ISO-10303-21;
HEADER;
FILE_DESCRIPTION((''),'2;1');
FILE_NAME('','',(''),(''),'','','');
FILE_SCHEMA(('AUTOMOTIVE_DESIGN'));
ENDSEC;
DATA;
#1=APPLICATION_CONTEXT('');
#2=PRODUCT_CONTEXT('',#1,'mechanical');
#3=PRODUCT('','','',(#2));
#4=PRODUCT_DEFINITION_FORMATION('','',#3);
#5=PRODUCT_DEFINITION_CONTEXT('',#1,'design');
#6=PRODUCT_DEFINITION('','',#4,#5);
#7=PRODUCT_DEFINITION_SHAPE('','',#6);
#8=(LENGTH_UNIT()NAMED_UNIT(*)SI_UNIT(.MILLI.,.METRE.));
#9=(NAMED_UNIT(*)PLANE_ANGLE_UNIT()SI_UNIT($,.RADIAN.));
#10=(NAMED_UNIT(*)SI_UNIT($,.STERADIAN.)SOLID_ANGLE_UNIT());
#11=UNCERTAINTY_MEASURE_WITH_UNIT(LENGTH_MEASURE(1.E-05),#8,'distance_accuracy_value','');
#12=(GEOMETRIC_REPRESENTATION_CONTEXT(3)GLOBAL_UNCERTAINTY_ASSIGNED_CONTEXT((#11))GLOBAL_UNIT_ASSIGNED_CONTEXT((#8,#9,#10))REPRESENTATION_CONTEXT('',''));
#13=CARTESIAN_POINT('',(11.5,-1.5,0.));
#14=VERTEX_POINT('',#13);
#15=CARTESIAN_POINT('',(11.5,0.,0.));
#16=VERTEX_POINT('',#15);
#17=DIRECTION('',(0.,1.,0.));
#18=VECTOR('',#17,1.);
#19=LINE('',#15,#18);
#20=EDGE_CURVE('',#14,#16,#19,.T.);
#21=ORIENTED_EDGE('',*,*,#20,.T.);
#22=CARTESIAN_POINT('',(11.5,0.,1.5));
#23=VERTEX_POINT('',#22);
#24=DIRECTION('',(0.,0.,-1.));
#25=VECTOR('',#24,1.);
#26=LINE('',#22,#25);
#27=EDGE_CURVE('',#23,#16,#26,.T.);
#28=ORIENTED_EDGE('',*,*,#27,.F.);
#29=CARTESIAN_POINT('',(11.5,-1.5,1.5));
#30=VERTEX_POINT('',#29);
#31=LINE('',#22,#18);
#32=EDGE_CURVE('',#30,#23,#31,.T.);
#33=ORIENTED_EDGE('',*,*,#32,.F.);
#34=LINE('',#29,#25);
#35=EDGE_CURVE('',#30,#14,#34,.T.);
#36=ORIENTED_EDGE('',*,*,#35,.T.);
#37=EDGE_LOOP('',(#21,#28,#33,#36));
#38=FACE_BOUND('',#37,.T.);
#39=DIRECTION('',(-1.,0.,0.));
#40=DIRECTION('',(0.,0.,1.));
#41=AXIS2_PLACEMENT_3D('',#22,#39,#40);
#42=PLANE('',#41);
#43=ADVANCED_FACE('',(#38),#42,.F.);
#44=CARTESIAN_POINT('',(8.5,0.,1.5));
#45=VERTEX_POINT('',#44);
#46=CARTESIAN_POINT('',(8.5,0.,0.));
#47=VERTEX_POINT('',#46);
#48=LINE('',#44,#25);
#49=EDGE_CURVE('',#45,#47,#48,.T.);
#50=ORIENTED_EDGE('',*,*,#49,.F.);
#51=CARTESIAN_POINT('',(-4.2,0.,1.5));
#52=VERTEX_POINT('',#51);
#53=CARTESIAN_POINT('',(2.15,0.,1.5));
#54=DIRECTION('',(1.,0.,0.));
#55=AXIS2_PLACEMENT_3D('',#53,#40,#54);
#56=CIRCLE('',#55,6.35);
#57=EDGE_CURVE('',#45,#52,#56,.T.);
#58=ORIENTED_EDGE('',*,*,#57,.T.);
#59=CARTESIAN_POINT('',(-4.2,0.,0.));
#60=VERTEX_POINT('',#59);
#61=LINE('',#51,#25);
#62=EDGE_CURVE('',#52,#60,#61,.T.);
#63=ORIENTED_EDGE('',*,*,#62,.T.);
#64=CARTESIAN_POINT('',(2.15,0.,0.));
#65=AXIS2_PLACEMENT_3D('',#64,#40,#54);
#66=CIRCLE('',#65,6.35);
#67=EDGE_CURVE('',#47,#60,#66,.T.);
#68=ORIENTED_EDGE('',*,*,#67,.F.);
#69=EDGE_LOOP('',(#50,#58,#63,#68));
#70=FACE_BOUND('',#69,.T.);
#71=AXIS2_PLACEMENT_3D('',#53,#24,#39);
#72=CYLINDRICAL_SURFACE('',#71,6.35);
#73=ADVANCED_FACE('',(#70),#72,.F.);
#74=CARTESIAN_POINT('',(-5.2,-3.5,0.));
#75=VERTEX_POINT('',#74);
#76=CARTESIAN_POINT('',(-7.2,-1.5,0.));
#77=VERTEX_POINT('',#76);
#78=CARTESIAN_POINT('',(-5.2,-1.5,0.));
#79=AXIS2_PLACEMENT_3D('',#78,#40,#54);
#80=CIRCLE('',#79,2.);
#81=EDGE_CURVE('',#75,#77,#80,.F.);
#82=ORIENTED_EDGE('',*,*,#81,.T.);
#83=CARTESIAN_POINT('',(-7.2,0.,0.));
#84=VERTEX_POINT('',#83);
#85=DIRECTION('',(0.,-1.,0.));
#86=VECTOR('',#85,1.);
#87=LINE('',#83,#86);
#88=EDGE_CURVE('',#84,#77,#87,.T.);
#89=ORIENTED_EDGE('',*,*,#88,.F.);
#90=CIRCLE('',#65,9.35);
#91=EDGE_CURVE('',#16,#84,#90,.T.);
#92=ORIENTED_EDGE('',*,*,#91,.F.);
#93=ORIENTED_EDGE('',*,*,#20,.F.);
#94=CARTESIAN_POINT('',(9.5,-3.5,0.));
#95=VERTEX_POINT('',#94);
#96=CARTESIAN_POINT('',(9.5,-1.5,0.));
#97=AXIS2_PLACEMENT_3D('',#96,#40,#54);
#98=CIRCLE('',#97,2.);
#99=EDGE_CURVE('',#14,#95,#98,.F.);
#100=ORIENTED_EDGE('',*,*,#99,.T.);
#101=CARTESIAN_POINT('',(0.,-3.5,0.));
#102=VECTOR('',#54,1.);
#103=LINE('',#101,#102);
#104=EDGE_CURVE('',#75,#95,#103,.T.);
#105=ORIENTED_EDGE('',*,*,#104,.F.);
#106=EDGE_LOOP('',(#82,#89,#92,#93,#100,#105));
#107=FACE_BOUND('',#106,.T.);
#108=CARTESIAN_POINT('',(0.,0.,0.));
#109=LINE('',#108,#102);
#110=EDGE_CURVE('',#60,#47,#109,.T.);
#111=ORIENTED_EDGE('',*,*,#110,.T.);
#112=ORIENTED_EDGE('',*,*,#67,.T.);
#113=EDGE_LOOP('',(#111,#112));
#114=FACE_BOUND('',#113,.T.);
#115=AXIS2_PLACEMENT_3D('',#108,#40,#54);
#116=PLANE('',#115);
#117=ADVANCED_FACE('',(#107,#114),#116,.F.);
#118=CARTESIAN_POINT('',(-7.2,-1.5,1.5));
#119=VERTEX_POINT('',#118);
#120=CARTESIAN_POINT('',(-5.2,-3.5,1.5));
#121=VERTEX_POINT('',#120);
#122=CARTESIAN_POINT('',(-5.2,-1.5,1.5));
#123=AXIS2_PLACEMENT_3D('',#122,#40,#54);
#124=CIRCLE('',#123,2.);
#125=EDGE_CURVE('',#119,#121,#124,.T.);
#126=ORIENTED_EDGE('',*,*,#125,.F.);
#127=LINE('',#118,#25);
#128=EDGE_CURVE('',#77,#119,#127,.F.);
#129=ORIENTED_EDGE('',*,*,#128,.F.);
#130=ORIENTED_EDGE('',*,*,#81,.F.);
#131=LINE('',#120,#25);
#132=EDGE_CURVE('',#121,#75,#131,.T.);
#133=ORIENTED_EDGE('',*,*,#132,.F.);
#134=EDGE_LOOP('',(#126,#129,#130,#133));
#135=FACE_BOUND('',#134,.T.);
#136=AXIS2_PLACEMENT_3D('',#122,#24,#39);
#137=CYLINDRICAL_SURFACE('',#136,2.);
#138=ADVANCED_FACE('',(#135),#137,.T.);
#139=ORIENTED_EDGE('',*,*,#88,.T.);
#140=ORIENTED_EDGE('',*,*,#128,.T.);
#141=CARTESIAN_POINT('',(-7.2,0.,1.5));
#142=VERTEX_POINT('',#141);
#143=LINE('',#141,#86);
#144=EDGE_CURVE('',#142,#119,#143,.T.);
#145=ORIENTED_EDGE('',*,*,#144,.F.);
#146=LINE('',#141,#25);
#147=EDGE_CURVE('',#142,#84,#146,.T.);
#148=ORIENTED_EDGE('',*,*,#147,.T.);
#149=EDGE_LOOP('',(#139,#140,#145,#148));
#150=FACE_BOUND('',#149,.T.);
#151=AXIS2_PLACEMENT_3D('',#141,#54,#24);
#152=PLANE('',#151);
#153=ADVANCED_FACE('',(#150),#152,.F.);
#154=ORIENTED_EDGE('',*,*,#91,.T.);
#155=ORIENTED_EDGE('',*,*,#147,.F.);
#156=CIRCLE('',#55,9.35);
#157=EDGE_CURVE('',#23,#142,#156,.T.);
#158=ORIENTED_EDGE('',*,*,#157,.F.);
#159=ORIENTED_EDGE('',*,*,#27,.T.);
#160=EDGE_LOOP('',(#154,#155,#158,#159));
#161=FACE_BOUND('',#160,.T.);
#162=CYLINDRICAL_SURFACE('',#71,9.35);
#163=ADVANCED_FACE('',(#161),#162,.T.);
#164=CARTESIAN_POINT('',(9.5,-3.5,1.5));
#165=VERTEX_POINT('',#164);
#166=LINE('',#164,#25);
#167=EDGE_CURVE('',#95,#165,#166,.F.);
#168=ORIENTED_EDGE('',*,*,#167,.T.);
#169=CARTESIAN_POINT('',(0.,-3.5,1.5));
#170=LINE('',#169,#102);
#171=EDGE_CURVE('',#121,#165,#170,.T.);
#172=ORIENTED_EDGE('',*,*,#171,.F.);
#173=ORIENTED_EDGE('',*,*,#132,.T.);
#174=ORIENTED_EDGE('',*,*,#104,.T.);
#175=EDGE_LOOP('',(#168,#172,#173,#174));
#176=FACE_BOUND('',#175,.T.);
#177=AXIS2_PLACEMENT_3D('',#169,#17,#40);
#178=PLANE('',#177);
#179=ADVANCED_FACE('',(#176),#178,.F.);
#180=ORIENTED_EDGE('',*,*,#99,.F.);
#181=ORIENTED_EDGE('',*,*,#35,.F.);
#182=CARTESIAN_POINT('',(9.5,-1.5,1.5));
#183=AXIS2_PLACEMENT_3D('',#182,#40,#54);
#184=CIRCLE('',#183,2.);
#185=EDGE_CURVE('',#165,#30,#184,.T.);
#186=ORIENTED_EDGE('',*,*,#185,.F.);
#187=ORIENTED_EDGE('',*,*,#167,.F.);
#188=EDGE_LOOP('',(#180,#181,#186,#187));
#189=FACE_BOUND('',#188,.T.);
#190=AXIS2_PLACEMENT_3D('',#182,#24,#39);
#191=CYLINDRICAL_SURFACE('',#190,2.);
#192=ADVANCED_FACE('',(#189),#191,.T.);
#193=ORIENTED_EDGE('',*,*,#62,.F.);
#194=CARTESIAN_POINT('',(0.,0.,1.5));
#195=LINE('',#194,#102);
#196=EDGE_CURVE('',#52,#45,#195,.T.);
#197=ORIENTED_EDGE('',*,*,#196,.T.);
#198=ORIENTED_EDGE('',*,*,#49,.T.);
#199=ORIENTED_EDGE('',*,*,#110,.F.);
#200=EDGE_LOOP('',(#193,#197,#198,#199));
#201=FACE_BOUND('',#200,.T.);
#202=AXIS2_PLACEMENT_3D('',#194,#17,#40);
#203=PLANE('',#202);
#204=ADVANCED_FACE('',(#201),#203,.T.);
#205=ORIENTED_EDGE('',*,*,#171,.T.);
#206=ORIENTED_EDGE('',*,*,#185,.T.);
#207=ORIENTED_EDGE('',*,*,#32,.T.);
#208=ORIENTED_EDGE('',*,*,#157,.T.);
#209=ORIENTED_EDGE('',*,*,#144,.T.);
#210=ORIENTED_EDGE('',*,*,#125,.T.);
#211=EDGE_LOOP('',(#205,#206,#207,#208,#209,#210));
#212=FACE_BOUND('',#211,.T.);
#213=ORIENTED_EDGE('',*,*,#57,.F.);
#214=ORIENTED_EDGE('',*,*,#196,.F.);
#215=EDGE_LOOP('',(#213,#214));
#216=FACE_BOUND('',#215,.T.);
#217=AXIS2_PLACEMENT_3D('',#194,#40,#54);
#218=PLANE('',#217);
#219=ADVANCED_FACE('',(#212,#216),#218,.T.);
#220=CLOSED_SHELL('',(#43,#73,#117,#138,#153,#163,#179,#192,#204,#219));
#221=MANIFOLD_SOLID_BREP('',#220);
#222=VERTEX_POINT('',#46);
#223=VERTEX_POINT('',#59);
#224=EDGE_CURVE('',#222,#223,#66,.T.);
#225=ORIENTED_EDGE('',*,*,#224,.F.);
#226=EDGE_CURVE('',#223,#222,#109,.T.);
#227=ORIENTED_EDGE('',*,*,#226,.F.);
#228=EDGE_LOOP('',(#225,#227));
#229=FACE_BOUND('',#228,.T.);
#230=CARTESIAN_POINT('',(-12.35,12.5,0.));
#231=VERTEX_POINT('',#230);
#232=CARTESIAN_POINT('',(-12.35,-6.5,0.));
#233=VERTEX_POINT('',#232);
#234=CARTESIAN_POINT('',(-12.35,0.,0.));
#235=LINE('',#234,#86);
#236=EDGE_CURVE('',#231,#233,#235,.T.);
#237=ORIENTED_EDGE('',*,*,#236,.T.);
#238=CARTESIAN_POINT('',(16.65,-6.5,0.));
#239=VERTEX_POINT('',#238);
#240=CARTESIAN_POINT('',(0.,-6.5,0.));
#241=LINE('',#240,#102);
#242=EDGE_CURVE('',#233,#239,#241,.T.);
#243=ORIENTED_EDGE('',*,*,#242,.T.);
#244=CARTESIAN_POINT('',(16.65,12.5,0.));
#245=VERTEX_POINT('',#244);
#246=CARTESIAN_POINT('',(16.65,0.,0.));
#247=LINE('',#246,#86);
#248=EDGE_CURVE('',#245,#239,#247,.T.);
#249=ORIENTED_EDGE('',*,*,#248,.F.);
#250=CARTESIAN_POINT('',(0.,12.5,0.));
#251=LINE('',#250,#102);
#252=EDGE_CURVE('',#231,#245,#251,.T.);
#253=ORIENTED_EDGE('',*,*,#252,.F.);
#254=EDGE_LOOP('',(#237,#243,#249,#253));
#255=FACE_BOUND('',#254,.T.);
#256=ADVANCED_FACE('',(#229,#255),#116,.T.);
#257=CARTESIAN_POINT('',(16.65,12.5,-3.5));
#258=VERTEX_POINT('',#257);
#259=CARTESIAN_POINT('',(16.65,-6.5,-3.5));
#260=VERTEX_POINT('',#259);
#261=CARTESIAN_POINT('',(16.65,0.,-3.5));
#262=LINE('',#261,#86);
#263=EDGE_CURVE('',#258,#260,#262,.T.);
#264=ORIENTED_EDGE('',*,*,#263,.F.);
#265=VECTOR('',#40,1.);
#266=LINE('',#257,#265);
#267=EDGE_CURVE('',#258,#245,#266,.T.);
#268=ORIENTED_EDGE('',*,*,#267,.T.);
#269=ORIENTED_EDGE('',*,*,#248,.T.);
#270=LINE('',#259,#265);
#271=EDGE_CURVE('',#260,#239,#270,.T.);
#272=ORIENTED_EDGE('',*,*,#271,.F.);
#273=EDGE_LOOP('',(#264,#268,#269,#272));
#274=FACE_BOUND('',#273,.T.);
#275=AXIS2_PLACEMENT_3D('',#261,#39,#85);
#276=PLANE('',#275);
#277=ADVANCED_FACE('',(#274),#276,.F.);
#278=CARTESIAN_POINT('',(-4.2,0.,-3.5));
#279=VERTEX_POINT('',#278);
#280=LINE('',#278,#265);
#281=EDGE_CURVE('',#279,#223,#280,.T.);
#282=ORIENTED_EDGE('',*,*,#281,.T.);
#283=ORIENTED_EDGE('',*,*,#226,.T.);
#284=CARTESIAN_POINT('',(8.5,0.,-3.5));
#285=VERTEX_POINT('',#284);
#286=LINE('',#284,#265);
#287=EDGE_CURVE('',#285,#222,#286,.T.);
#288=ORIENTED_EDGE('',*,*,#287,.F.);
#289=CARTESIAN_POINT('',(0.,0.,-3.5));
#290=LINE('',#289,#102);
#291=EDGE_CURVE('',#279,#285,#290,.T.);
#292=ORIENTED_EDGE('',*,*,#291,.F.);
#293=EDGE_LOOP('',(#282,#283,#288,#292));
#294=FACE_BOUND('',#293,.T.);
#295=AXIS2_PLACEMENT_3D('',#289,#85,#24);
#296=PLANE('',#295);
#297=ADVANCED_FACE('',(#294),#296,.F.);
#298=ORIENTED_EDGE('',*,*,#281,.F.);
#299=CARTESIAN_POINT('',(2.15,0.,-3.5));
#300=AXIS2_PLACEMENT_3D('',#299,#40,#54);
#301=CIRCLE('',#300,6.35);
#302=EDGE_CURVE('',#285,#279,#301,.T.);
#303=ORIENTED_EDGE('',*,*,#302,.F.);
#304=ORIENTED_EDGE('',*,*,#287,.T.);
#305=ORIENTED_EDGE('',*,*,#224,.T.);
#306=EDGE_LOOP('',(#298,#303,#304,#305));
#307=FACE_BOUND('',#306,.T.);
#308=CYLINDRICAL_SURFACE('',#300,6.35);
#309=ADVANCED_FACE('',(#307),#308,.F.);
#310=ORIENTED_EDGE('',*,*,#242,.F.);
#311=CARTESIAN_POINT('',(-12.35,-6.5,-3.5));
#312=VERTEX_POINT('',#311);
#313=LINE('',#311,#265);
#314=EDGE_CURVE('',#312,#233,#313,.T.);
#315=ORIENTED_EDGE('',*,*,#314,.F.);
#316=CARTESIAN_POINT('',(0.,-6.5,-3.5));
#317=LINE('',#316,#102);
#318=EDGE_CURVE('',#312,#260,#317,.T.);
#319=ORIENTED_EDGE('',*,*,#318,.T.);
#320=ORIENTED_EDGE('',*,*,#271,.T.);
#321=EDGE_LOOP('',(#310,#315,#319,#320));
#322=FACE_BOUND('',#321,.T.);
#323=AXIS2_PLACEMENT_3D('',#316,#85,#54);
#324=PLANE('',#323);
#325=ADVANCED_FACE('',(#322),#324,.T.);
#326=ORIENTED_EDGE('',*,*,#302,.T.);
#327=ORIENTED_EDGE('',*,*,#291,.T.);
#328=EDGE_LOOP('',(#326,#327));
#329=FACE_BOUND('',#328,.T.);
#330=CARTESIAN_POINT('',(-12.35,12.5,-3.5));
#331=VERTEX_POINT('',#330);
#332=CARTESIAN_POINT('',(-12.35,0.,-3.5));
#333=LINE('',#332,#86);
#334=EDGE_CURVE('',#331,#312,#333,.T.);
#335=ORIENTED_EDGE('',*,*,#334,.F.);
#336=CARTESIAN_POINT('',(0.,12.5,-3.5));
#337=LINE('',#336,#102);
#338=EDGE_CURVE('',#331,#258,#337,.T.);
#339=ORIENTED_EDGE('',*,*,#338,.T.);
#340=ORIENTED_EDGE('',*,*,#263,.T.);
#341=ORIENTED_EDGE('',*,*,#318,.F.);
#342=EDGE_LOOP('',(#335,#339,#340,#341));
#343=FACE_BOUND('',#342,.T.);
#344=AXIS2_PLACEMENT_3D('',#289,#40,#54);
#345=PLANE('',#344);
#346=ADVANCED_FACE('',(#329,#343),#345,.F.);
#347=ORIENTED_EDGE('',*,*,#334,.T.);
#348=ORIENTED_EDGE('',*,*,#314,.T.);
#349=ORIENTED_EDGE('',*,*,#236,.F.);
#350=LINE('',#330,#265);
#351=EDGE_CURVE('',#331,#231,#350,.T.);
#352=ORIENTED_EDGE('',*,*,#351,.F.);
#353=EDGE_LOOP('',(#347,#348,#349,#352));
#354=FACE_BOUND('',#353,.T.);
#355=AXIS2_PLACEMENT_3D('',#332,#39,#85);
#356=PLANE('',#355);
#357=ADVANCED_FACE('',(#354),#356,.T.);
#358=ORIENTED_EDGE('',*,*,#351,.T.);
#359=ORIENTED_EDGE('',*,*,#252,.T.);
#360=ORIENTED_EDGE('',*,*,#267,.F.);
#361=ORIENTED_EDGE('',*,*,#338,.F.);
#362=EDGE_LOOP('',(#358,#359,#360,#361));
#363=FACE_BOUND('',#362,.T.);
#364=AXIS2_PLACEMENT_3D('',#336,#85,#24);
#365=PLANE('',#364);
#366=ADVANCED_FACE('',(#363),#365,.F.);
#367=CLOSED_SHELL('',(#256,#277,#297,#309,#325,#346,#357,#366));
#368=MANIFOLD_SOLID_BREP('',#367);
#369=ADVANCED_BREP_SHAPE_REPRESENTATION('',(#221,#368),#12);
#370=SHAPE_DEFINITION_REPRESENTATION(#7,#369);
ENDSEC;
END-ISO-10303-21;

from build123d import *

# Parameters (mm, degrees)
CAP_ALIGNMENT_LIP_DEPTH = 1.5
SKETCH1_3_W             = 29
SKETCH1_3_H             = 19
CAP_BODY_DEPTH          = 3.5
LIP_CORNER_FILLET_R     = 2


with BuildPart() as part:
    # Sketch1 → cap alignment lip (new body)
    with BuildSketch(Plane.XY):
        with BuildLine():
            ThreePointArc((11.5, 0), (2.15, 9.35), (-7.2, 0))
            Line((-7.2, 0), (-7.2, -3.5))
            Line((-7.2, -3.5), (11.5, -3.5))
            Line((11.5, -3.5), (11.5, 0))
        make_face()
        with BuildLine():
            Line((8.5, 0), (-4.2, 0))
            ThreePointArc((-4.2, 0), (2.15, 6.35), (8.5, 0))
        make_face(mode=Mode.SUBTRACT)
    extrude(amount=CAP_ALIGNMENT_LIP_DEPTH)

    # lip corner fillet
    lip_corner_fillet_edges = [part.edges().sort_by_distance(p)[0] for p in [
        (-7.2, -3.5, 0.75),
        (11.5, -3.5, 0.75),
    ]]
    fillet(lip_corner_fillet_edges, radius=LIP_CORNER_FILLET_R)


with BuildPart() as body_2:
    # Sketch1<3> → cap body (new body)
    with BuildSketch(Plane.XY):
        with Locations((2.15, 3)):
            Rectangle(SKETCH1_3_W, SKETCH1_3_H)
        with BuildLine():
            Line((8.5, 0), (-4.2, 0))
            ThreePointArc((-4.2, 0), (2.15, 6.35), (8.5, 0))
        make_face(mode=Mode.SUBTRACT)
    extrude(amount=-CAP_BODY_DEPTH)


solid = Compound([part.part, body_2.part])
